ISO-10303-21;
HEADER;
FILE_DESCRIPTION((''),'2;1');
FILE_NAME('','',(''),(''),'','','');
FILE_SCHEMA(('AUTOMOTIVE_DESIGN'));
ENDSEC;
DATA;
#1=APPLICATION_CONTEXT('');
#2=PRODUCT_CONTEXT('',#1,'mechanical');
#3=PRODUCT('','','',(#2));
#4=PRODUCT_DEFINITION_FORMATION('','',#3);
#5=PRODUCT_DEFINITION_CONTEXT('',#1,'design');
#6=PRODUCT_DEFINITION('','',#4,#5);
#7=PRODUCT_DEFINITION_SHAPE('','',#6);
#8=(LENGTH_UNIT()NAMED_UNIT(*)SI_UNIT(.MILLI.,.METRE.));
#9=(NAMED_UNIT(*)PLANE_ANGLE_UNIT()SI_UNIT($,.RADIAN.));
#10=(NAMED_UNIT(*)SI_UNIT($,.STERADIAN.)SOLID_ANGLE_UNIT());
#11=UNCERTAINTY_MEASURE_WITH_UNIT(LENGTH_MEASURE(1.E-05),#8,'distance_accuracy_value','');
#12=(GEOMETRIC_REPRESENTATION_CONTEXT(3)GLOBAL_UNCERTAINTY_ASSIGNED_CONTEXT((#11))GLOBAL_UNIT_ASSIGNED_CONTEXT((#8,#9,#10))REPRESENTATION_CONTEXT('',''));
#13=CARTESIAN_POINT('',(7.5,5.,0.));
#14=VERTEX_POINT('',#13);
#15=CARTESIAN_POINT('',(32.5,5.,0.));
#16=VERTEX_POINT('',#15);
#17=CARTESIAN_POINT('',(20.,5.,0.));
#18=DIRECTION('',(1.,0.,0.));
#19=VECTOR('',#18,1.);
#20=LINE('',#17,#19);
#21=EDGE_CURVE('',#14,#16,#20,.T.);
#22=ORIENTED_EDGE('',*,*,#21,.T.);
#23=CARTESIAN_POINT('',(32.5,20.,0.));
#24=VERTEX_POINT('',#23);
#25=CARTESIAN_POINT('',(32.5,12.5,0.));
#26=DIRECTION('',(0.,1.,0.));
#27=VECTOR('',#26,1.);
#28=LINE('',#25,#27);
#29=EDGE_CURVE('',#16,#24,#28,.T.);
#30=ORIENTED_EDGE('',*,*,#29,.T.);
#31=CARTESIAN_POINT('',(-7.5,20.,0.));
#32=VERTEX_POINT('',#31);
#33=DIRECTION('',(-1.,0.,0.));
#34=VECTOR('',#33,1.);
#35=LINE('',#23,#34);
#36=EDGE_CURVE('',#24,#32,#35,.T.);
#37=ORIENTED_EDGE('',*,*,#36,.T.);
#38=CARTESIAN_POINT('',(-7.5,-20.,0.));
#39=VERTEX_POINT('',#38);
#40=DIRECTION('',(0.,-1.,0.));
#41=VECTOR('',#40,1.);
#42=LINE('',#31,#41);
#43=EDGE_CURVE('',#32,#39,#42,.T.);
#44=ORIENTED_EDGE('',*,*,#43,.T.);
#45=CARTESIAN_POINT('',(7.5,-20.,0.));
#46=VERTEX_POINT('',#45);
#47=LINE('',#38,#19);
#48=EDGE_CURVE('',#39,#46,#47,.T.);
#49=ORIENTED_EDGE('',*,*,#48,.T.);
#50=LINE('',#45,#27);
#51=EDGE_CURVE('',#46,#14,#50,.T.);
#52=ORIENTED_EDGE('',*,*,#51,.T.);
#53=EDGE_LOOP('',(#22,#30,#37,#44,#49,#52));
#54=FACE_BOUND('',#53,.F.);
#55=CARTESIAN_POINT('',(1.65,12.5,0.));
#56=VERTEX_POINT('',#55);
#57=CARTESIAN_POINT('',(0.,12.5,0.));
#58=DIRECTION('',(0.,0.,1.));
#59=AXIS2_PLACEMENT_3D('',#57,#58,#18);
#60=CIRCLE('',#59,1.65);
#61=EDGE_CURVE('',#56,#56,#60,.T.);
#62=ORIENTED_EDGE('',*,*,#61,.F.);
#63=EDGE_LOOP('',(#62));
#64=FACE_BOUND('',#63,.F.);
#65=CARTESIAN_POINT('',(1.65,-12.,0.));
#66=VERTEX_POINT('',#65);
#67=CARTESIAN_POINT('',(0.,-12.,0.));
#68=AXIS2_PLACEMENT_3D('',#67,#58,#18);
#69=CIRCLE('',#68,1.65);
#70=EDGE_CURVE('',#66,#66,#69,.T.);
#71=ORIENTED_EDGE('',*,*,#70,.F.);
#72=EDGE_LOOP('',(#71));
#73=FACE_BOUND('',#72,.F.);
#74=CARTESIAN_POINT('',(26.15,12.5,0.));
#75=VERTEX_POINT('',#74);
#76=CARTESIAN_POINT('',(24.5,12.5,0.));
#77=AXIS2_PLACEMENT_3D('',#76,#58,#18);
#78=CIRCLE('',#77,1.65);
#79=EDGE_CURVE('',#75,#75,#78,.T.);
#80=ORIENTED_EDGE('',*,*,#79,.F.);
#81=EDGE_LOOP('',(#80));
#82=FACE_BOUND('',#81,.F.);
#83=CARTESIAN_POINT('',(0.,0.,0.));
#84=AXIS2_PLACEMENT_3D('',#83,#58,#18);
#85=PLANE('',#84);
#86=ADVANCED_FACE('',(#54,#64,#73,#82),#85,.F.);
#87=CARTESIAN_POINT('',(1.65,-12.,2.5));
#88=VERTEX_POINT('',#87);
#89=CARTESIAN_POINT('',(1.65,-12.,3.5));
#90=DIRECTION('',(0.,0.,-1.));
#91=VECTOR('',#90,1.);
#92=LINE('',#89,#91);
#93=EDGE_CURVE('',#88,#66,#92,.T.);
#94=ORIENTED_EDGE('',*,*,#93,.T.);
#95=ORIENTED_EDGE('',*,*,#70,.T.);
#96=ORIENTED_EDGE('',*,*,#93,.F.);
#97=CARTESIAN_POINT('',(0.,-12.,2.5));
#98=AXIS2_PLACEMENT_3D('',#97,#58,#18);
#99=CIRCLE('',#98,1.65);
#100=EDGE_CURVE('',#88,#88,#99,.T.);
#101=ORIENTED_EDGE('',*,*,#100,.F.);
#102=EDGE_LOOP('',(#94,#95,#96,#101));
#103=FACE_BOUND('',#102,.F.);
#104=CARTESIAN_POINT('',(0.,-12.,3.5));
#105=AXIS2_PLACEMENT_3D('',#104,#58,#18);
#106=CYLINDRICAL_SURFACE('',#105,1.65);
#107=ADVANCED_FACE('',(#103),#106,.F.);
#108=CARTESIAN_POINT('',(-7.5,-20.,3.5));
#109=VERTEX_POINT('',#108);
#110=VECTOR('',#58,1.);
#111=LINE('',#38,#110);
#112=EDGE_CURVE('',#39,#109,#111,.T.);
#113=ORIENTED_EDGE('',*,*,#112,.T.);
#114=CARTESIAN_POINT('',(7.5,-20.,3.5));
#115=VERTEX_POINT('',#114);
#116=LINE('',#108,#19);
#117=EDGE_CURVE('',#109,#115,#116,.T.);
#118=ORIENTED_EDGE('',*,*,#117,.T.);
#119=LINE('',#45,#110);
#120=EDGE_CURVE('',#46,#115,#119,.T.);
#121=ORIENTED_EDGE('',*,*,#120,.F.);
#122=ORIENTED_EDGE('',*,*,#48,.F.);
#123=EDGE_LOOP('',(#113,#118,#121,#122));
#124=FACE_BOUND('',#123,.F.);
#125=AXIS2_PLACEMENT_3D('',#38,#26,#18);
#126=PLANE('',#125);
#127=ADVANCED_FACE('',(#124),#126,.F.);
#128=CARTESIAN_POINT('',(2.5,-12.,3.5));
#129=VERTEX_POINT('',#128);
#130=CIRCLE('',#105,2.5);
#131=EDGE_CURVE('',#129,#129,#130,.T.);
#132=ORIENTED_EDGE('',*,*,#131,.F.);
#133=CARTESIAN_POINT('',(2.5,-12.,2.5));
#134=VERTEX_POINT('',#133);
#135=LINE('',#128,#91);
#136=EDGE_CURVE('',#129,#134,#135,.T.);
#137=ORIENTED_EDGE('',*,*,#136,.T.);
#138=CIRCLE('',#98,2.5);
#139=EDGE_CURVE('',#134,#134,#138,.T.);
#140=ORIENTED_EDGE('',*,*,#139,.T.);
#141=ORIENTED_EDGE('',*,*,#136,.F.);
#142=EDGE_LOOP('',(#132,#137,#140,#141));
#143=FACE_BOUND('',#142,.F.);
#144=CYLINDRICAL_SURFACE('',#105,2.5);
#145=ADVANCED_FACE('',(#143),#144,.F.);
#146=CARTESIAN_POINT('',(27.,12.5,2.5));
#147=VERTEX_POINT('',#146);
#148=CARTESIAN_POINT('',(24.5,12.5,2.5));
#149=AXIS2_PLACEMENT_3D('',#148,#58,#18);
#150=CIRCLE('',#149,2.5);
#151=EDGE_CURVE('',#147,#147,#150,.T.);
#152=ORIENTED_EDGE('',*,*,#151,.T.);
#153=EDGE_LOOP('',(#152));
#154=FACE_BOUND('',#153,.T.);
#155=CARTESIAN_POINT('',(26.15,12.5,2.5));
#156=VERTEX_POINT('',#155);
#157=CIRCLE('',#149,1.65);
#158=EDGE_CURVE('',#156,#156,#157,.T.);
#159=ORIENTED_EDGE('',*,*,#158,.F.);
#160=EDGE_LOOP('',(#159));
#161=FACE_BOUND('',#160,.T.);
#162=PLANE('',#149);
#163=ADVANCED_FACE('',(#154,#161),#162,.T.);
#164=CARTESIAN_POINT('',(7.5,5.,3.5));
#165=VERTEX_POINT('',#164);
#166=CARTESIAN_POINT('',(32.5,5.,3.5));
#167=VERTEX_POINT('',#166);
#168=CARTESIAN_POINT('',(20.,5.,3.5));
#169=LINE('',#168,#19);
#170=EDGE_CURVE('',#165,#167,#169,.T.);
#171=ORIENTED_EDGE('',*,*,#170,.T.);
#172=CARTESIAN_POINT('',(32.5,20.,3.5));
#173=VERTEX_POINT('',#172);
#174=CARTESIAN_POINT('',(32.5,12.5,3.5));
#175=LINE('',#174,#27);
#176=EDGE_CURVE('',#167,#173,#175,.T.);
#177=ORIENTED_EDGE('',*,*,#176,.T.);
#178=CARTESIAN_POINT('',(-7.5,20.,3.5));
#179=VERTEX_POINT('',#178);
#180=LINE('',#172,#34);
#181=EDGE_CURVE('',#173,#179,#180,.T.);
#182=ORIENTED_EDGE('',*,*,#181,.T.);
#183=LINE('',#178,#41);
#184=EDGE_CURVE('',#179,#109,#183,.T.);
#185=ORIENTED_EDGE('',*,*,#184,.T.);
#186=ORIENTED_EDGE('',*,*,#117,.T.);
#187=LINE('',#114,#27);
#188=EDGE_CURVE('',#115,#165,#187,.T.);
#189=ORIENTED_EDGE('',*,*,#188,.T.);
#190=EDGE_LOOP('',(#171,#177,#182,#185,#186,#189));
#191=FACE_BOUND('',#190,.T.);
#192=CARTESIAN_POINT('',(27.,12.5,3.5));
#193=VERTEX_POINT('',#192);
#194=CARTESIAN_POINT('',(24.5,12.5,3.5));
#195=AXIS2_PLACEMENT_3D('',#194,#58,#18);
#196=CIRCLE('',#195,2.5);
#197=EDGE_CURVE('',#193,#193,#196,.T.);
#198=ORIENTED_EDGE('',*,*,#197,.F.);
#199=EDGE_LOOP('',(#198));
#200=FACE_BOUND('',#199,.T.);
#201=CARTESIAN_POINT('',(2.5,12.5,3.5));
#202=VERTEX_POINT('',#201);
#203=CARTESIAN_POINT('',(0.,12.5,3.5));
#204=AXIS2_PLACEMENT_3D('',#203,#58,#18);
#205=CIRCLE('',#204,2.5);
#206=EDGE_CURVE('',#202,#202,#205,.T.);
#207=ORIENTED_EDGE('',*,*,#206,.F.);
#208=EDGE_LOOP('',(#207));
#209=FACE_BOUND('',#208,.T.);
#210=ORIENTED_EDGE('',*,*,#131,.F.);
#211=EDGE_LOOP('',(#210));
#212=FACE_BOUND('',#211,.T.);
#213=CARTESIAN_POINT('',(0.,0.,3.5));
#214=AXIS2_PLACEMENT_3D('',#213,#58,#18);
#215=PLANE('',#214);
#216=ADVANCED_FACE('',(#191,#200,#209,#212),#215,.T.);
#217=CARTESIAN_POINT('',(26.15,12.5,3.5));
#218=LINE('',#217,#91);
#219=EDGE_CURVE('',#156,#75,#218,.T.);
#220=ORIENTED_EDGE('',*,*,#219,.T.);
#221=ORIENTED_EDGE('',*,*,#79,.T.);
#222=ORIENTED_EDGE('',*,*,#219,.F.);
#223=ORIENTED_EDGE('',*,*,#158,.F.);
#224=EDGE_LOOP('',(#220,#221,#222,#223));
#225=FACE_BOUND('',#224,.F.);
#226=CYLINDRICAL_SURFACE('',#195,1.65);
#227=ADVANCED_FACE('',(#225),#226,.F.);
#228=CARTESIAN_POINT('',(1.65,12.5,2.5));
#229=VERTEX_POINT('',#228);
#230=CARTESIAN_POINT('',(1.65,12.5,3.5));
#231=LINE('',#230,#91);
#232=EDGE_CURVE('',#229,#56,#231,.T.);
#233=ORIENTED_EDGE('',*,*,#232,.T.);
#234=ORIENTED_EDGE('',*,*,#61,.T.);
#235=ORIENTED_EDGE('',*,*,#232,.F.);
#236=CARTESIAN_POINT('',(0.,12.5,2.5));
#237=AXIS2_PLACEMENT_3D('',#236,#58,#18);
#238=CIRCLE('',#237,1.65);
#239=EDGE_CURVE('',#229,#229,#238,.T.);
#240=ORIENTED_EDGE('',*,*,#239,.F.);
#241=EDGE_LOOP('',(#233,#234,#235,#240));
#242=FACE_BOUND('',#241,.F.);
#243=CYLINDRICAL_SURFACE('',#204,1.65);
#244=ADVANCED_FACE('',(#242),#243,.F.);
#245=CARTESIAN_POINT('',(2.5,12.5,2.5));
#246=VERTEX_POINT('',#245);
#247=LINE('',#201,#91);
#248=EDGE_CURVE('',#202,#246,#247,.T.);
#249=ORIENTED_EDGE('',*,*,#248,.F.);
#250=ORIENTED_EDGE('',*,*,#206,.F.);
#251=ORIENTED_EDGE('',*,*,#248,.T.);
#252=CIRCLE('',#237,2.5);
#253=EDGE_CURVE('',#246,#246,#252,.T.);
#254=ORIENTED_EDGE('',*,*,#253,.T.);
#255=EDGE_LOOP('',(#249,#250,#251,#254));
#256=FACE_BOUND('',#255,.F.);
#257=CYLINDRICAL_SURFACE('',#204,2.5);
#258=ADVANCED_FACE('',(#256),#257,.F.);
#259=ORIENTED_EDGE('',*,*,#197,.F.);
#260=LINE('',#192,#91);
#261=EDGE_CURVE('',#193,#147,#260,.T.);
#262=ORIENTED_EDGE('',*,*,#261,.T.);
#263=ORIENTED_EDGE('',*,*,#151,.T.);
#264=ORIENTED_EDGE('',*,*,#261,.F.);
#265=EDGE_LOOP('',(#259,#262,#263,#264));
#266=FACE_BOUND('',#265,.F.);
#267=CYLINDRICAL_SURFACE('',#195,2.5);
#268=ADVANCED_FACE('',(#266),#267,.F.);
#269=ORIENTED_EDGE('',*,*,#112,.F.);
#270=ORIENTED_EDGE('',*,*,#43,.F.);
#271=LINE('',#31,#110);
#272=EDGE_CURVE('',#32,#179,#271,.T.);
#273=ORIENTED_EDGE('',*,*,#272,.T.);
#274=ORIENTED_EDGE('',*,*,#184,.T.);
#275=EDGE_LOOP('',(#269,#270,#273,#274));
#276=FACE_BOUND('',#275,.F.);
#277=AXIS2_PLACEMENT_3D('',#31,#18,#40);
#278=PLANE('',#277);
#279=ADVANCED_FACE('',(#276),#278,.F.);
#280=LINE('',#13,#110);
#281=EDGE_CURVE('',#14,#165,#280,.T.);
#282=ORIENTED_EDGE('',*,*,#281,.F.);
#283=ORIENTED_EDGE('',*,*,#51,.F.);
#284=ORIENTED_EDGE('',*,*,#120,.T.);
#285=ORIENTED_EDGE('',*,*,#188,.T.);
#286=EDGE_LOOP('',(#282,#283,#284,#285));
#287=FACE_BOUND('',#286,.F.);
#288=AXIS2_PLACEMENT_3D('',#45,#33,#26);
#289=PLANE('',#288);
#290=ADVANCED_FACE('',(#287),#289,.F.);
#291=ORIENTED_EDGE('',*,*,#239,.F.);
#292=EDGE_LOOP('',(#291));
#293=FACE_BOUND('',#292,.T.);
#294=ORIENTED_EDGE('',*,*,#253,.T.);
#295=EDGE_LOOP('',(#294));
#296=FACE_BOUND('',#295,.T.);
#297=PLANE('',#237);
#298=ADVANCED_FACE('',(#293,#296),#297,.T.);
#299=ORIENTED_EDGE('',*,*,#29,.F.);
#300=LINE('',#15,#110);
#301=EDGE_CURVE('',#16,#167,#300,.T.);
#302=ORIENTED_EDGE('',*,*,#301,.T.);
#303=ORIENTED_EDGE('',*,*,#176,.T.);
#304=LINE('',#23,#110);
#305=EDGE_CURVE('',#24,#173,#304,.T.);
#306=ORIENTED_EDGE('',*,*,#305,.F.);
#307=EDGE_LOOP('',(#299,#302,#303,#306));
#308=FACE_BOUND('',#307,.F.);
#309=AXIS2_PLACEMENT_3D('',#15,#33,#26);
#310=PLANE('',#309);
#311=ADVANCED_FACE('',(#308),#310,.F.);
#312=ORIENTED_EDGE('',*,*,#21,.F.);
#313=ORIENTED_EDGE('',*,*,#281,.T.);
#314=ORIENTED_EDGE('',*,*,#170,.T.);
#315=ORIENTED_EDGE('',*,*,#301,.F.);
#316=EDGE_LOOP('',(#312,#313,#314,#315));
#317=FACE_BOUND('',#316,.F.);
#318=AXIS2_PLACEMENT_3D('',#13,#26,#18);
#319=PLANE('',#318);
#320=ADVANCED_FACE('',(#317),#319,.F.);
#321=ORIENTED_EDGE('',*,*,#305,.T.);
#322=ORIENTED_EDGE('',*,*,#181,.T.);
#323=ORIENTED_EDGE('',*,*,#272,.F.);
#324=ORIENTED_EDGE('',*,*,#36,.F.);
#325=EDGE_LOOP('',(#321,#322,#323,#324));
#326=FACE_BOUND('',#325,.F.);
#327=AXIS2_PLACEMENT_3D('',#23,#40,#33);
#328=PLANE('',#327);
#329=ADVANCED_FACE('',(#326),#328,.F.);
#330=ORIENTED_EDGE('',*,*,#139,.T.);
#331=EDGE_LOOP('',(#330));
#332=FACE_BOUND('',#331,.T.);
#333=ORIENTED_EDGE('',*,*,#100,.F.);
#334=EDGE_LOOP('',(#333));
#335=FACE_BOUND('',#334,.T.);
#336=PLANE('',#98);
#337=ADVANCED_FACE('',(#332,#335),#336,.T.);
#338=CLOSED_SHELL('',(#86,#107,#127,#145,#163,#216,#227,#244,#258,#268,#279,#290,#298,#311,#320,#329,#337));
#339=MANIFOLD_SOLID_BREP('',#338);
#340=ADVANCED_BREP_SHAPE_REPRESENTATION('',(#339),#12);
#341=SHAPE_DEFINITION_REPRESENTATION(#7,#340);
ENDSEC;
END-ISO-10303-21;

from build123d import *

# Parameters (mm, degrees)
F0_W     = 25
F0_H     = 15
F1_DEPTH = 3.5
F2_R     = 1.65
F3_DEPTH = 3.5
F2_R_2   = 2.5
F4_DEPTH = 1


with BuildPart() as f1:
    # F0 (on Top) → F1 (new body)
    with BuildSketch(Plane.XY):
        Polygon((7.5, 20), (-7.5, 20), (-7.5, -20), (7.5, -20), (7.5, 5), align=None)
        with Locations((20, 12.5)):
            Rectangle(F0_W, F0_H)
    extrude(amount=F1_DEPTH)

    # F2 (on face) → F3 (cut, through all)
    with BuildSketch(Plane.XY.offset(3.5)):
        with Locations((0, 12.5)):
            Circle(F2_R)
        with Locations((0, -12)):
            Circle(F2_R)
        with Locations((24.5, 12.5)):
            Circle(F2_R)
    extrude(amount=-F3_DEPTH, mode=Mode.SUBTRACT)

    # F2 (on face) → F4 (cut)
    with BuildSketch(Plane.XY.offset(3.5)):
        with Locations((0, -12)):
            Circle(F2_R_2)
        with Locations((0, -12)):
            Circle(F2_R, mode=Mode.SUBTRACT)
        with Locations((0, 12.5)):
            Circle(F2_R_2)
        with Locations((0, 12.5)):
            Circle(F2_R, mode=Mode.SUBTRACT)
        with Locations((24.5, 12.5)):
            Circle(F2_R_2)
        with Locations((24.5, 12.5)):
            Circle(F2_R, mode=Mode.SUBTRACT)
    extrude(amount=-F4_DEPTH, mode=Mode.SUBTRACT)


solid = f1.part
